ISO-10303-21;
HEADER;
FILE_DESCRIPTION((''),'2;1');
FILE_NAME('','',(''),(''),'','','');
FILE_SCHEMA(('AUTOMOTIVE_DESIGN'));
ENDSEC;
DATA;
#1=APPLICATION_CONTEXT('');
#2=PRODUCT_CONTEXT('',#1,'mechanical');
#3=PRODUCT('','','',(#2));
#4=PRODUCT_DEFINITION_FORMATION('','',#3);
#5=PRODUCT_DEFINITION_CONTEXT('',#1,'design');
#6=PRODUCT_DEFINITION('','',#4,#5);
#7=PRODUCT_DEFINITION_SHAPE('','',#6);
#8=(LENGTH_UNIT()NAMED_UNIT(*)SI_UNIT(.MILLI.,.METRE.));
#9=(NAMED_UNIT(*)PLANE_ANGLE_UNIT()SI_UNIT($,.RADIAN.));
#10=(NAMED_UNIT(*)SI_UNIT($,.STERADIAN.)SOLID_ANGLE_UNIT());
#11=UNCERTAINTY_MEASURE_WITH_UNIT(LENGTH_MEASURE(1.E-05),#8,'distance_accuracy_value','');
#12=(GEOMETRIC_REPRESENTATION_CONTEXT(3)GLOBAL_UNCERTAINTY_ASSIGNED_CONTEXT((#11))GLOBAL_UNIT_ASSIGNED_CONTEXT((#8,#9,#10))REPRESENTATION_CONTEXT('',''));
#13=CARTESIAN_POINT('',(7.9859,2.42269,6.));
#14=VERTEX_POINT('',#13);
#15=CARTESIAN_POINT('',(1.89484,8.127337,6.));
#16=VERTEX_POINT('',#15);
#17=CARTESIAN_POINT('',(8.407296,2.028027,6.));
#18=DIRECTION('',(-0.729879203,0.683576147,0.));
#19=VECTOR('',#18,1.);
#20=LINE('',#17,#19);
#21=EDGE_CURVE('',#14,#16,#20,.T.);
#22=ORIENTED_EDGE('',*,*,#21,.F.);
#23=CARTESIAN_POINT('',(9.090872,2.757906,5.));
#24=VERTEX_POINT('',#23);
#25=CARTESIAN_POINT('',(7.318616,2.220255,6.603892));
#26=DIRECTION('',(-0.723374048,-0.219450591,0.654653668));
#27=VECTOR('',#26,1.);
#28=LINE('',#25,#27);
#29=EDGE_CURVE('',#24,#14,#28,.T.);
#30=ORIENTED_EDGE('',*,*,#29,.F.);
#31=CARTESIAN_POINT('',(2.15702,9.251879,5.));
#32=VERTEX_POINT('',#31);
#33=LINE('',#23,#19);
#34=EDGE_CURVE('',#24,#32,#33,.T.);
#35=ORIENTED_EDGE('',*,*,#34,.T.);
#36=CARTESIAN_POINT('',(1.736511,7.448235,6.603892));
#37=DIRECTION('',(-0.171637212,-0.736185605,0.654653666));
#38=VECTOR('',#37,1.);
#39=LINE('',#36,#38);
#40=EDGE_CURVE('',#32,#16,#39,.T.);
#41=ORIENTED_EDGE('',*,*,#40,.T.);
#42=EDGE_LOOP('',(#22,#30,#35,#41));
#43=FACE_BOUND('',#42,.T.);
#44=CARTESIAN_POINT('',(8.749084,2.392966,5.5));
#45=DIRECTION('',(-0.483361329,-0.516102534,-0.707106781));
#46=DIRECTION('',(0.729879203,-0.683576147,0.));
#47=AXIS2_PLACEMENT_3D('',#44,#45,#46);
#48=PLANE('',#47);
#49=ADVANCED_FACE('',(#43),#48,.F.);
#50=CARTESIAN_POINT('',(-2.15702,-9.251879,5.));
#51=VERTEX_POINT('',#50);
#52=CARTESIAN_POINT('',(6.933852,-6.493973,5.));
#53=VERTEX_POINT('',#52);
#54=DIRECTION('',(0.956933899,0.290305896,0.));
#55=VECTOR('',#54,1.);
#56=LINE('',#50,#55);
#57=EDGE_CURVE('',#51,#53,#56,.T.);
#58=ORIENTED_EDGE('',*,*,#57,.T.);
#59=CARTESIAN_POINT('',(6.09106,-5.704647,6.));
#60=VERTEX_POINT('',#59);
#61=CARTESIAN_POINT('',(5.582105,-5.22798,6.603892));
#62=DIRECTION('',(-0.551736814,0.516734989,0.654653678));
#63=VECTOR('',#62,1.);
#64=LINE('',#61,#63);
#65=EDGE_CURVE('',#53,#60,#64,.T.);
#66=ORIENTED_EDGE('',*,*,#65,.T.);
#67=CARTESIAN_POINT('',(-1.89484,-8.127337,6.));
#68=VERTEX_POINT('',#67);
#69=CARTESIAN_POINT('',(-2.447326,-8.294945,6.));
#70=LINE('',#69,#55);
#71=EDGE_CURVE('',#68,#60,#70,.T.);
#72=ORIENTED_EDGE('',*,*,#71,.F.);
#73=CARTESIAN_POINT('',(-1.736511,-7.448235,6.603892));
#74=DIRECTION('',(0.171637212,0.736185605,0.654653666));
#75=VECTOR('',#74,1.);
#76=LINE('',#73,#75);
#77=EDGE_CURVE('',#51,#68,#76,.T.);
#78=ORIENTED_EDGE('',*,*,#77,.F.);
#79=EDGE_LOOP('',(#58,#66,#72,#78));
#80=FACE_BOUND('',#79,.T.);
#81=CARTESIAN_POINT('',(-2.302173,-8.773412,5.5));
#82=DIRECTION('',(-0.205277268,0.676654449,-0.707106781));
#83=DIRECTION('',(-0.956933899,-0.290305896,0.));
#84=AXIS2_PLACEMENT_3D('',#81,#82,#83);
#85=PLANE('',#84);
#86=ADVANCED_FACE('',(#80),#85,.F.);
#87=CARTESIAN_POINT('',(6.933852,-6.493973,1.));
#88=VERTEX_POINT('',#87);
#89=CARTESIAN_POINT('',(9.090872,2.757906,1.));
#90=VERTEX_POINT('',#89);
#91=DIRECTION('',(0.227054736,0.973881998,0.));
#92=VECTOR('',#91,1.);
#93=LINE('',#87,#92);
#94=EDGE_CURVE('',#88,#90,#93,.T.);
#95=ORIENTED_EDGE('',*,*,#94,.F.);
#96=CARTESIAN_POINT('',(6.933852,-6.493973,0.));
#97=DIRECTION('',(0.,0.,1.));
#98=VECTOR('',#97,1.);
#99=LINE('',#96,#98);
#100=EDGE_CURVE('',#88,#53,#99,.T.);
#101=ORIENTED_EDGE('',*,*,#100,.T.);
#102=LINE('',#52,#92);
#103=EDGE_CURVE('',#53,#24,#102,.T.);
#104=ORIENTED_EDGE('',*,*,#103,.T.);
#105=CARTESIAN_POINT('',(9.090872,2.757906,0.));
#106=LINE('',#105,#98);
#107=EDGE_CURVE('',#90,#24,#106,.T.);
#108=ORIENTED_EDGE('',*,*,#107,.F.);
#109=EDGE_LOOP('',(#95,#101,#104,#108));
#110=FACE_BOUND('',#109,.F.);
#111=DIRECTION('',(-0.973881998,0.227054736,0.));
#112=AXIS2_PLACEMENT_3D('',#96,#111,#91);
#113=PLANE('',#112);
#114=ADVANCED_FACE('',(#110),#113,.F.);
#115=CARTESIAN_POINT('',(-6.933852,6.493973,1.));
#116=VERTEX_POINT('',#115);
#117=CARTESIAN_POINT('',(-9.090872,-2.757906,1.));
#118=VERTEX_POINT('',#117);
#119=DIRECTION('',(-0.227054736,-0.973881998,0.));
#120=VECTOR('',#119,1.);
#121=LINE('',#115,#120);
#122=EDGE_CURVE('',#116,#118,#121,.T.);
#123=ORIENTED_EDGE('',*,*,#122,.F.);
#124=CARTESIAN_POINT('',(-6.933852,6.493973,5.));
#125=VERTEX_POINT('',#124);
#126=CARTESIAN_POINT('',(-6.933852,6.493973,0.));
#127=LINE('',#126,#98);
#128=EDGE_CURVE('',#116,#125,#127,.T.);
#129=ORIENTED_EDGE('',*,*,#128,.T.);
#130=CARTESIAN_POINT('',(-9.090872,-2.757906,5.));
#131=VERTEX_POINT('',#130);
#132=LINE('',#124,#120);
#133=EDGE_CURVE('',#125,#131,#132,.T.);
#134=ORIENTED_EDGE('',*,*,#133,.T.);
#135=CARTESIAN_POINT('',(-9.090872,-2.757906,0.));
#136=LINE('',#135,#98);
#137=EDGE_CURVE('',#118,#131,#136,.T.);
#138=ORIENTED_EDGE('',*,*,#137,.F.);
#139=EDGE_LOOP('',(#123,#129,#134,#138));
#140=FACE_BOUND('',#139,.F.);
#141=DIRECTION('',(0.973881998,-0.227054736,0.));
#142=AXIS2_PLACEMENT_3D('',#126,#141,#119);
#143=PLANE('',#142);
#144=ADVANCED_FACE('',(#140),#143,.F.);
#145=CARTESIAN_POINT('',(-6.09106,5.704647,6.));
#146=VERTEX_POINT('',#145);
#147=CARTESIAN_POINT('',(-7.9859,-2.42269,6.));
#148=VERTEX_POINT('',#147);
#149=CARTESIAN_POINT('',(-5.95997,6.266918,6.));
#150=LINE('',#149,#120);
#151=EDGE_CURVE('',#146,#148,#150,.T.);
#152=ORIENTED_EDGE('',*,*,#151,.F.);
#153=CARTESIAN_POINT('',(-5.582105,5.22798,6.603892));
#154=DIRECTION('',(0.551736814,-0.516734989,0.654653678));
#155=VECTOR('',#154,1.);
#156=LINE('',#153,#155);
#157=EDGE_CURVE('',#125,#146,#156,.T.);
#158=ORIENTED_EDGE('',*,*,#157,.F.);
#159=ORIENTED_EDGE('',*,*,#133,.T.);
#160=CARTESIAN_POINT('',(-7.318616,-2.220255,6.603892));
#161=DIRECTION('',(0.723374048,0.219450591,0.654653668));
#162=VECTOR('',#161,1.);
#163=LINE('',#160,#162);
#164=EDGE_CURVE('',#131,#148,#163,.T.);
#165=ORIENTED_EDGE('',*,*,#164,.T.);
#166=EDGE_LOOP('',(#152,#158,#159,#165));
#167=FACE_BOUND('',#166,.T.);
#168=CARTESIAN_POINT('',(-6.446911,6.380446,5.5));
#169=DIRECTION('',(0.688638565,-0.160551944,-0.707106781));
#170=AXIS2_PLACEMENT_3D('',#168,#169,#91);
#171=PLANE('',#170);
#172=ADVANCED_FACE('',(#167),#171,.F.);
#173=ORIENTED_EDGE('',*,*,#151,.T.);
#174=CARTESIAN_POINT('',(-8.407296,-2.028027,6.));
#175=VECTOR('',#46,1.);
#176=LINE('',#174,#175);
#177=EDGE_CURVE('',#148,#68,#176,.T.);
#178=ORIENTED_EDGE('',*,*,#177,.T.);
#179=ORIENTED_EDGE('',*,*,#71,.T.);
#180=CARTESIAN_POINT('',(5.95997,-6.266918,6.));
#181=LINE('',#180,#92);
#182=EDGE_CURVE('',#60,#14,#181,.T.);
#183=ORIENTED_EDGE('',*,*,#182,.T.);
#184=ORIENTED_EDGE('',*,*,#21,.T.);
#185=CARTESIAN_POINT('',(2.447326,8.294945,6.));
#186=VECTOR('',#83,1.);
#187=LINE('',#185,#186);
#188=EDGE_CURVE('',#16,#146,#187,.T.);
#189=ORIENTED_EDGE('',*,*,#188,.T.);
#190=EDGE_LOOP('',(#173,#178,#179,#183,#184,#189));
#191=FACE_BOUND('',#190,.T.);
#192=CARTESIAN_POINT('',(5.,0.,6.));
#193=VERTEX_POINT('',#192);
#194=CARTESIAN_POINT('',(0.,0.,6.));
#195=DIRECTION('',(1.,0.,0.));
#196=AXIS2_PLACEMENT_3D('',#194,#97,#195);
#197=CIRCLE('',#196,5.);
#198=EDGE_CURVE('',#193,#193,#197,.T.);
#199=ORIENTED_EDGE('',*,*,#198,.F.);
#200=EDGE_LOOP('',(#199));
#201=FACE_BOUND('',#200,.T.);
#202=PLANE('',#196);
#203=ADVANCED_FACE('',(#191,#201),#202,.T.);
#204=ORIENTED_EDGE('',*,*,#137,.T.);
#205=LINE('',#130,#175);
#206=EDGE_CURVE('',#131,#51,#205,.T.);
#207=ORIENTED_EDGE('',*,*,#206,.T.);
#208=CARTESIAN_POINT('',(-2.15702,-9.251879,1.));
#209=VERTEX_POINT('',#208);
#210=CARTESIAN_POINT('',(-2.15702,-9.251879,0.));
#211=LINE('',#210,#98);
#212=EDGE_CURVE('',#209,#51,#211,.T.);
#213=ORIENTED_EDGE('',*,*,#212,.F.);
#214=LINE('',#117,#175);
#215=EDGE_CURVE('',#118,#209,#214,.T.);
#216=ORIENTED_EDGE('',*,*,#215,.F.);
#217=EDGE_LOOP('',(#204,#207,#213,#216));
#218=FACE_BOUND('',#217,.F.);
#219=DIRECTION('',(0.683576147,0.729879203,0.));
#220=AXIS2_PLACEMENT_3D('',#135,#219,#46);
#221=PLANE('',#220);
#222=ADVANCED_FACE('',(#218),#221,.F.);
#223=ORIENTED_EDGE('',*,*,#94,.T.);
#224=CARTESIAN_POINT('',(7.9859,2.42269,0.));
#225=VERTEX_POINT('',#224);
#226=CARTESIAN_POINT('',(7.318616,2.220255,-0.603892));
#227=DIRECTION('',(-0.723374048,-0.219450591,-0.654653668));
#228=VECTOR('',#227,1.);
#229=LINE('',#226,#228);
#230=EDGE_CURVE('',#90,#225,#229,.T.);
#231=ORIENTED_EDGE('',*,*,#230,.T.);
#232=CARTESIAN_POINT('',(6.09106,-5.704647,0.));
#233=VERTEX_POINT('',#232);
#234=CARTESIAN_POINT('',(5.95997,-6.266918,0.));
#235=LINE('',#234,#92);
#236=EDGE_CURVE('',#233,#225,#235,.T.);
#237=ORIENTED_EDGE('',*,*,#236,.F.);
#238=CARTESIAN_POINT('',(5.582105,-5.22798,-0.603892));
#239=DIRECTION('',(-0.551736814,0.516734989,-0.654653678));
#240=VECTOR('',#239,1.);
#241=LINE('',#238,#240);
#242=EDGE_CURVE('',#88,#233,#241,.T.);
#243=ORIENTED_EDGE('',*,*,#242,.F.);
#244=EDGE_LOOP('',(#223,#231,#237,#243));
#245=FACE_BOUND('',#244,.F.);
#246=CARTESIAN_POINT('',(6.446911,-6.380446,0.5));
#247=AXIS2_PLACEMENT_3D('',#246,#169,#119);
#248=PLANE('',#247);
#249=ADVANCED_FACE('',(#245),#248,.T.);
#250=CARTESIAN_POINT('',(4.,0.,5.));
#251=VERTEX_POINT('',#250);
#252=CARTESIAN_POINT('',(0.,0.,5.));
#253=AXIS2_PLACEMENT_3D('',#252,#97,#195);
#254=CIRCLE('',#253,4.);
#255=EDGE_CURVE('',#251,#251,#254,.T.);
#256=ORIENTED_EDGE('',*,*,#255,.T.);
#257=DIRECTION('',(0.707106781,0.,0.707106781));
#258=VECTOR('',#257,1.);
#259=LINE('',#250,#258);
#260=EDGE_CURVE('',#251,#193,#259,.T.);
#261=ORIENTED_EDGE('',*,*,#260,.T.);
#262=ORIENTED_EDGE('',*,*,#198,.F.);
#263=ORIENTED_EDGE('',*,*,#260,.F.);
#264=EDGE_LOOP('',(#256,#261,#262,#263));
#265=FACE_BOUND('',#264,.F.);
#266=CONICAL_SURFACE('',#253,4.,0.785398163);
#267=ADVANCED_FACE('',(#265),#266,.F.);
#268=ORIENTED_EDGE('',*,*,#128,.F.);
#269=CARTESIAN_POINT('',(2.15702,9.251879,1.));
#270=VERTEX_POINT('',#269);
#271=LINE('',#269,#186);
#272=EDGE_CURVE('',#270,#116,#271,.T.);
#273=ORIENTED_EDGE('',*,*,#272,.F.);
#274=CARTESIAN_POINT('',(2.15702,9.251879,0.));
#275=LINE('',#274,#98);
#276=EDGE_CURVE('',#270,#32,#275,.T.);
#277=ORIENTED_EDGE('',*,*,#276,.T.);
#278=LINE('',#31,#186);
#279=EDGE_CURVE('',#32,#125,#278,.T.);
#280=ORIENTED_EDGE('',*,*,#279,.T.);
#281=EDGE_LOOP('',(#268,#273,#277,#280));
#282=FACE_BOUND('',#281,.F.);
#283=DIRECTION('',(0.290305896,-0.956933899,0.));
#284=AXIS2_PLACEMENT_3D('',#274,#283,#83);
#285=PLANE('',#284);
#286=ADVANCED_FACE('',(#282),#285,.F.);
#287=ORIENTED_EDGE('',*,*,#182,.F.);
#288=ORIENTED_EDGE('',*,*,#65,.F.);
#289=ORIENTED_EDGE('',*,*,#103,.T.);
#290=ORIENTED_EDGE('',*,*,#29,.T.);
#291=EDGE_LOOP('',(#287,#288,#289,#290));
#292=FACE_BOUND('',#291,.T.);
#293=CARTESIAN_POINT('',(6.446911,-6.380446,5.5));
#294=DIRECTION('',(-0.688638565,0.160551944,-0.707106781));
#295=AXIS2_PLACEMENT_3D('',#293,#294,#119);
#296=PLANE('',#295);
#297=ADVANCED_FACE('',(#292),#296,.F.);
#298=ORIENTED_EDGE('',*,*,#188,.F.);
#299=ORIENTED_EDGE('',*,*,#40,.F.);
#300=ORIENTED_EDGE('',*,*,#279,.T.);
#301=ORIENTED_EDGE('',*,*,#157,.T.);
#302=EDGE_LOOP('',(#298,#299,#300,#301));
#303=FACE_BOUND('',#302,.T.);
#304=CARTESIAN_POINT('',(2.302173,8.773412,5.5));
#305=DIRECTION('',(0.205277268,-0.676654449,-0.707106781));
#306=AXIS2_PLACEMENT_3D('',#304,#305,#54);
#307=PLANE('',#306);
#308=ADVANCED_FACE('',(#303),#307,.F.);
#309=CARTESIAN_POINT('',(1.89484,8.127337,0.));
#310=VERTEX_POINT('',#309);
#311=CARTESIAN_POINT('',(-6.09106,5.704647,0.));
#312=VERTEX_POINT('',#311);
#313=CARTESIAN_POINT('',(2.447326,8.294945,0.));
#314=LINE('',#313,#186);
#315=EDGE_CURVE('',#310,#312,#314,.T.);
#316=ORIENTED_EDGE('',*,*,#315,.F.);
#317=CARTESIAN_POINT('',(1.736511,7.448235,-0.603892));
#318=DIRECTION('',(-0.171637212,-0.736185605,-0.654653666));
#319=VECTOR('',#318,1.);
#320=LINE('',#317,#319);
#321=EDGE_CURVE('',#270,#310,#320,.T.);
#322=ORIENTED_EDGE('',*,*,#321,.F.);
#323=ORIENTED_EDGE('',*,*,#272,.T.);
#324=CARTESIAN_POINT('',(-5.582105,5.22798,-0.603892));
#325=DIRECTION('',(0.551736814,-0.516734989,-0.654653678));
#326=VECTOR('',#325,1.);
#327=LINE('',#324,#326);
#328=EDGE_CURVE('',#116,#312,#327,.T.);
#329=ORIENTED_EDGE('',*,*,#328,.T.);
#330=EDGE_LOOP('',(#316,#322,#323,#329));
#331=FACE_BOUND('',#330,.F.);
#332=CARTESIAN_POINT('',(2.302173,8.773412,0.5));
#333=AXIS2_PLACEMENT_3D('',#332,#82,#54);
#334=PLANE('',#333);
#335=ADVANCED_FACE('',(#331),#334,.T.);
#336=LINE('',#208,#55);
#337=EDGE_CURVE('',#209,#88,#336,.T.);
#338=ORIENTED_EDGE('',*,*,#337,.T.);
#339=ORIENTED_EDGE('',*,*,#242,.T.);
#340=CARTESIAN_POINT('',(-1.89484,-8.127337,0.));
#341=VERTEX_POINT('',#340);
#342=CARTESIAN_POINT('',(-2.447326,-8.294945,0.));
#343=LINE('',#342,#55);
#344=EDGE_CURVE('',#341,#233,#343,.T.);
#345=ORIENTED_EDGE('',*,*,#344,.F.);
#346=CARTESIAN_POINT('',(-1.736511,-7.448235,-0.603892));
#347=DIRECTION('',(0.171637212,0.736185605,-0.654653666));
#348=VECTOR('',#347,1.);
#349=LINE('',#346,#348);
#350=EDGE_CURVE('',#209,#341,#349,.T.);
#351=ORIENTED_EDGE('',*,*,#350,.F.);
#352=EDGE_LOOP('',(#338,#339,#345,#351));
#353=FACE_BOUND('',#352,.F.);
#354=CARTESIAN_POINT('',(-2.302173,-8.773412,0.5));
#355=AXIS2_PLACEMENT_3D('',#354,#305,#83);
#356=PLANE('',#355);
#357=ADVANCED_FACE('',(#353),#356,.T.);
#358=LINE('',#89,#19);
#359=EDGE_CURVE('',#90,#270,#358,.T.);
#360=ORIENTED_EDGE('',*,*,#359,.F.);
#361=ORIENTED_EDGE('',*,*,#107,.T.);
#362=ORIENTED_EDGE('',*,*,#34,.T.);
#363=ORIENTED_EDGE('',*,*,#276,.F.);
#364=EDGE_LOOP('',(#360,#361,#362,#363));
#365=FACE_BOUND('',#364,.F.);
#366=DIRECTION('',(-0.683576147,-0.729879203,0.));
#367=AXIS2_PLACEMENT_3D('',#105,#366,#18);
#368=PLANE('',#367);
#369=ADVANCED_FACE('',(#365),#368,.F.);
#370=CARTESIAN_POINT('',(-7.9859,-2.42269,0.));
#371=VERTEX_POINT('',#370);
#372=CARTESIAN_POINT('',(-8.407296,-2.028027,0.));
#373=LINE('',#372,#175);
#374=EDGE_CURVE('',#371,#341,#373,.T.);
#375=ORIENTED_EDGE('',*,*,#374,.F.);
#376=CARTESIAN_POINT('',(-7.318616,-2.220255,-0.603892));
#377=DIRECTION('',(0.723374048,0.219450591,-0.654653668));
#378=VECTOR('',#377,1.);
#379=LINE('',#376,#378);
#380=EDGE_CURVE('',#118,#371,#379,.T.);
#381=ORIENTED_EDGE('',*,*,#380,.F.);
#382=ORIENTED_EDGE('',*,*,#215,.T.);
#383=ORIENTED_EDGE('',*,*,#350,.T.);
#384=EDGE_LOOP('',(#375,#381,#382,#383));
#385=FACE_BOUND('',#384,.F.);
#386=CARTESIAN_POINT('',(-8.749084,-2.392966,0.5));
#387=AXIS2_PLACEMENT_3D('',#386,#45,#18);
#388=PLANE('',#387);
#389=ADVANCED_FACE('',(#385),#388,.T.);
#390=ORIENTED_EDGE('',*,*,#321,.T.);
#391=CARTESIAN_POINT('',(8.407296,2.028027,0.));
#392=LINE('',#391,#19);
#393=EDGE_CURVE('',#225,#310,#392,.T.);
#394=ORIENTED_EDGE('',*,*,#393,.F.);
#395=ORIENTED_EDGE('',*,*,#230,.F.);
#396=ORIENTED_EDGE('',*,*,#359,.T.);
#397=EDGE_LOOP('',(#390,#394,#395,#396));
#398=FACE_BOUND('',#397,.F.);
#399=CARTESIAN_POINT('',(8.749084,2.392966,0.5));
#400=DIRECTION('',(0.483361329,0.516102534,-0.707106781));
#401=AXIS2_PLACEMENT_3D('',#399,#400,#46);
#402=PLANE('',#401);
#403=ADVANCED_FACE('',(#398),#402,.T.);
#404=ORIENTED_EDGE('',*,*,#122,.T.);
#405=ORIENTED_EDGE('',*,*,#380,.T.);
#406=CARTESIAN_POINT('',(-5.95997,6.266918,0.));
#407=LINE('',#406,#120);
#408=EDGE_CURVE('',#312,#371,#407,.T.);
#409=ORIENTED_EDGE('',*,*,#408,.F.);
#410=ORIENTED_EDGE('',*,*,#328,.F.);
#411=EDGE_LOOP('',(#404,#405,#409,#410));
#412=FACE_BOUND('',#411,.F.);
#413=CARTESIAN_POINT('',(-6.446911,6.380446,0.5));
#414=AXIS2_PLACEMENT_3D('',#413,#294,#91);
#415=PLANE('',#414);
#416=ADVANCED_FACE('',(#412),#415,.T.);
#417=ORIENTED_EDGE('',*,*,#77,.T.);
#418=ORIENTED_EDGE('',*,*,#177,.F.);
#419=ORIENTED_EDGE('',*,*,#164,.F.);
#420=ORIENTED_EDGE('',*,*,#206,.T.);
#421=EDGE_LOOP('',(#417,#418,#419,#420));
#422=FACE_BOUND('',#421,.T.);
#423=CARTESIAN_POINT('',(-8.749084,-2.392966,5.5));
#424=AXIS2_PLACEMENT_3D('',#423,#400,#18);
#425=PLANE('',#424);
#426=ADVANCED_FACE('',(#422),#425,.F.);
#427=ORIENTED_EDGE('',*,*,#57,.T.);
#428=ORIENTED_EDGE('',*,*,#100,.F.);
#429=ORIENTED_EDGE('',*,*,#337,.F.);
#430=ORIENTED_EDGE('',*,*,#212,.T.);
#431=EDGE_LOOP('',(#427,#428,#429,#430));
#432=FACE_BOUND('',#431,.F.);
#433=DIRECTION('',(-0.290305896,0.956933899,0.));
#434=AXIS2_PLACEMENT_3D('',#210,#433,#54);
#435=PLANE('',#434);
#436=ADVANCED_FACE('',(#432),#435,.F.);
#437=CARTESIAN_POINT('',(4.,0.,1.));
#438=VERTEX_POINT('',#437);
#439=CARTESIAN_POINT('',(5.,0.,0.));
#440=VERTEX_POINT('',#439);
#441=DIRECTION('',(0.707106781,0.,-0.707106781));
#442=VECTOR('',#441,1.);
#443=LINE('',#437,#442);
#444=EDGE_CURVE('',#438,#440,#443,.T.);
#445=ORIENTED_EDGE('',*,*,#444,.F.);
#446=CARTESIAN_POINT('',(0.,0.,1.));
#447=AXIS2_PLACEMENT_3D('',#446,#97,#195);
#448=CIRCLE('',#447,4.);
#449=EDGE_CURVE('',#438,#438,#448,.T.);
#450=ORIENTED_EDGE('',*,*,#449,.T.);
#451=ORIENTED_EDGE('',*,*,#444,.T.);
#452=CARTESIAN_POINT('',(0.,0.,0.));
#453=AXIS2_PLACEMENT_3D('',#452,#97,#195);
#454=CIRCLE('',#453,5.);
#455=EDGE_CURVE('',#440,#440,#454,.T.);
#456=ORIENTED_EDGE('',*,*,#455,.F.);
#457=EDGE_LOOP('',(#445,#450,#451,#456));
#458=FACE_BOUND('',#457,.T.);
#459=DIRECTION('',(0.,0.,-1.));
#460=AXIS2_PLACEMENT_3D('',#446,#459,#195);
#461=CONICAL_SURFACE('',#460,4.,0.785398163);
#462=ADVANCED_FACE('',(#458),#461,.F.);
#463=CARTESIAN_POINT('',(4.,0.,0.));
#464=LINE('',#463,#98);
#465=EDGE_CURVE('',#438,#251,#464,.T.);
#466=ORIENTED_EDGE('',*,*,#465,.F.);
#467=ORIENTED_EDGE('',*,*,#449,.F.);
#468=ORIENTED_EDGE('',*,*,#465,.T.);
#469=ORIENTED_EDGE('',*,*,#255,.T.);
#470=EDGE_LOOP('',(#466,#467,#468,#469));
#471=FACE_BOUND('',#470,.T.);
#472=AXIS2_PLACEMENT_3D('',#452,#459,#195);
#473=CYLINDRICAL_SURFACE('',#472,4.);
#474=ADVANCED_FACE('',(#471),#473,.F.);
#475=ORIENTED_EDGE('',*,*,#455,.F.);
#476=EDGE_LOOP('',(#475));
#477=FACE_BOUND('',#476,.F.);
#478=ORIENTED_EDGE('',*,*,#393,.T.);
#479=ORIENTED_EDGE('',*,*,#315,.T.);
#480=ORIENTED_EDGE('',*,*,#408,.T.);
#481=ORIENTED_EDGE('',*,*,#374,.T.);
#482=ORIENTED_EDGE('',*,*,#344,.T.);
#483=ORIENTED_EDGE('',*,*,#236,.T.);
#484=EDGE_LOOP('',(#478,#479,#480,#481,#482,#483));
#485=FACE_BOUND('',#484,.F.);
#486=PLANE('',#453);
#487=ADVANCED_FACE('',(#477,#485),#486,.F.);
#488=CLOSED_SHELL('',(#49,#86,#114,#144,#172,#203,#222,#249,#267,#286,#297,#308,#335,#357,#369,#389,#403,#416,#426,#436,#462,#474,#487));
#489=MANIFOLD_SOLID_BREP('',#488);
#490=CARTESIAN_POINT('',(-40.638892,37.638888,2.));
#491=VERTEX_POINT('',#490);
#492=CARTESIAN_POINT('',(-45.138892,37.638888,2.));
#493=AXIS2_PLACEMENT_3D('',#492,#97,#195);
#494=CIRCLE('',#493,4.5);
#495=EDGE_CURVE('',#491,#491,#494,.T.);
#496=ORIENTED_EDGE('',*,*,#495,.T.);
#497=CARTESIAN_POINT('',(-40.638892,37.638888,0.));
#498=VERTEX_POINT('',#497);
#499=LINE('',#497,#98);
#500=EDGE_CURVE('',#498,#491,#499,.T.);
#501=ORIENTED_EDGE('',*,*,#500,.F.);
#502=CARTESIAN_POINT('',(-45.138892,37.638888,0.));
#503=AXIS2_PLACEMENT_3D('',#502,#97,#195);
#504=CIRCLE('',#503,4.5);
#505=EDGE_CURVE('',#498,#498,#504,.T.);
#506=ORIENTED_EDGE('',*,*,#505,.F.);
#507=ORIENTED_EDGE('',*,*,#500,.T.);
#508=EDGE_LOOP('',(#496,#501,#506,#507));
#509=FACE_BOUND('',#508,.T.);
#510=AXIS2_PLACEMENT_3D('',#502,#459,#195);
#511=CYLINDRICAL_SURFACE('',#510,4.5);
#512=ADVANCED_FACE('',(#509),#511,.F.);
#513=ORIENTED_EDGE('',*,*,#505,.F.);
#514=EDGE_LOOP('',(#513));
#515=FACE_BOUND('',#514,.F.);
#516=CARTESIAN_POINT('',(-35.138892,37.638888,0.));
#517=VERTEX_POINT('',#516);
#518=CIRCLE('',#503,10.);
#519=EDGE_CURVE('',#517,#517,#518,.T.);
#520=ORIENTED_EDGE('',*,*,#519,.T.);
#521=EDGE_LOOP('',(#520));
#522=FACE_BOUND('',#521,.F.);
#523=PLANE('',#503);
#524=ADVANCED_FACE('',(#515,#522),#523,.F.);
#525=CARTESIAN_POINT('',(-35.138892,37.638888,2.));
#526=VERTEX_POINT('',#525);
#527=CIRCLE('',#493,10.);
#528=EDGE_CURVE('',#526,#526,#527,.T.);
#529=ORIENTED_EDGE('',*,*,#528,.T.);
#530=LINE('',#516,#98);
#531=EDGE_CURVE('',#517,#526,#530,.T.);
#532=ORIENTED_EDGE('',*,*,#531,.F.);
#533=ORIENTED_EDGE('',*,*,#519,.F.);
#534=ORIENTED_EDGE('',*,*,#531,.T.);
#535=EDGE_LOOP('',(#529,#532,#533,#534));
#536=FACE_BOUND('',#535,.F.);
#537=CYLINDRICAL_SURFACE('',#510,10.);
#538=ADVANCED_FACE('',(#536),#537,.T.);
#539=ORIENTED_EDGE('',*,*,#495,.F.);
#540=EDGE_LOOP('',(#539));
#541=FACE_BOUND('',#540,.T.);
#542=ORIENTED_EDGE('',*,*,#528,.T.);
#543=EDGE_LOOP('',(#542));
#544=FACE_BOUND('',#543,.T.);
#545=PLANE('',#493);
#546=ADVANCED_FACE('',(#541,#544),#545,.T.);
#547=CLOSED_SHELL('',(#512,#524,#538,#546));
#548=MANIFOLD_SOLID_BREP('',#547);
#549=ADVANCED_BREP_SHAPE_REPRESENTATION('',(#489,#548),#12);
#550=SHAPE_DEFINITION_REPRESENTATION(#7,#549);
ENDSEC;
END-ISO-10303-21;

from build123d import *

# Parameters (mm, degrees)
F0_R     = 4
F1_DEPTH = 6
F2_SIZE  = 1
F3_R     = 10
F3_R_2   = 4.5
F4_DEPTH = 2


with BuildPart() as f1:
    # F0 (on Top) → F1 (new body)
    with BuildSketch(Plane.XY):
        Polygon((6.933852, -6.493973), (9.090872, 2.757906), (2.15702, 9.251879), (-6.933852, 6.493973), (-9.090872, -2.757906), (-2.15702, -9.251879), align=None)
        Circle(F0_R, mode=Mode.SUBTRACT)
    extrude(amount=F1_DEPTH)

    # F2
    f2_edges = [f1.edges().sort_by_distance(p)[0] for p in [
        (-8.012362, 1.868034, 6),
        (-5.623946, -6.004892, 6),
        (2.388416, -7.872926, 6),
        (8.012362, -1.868034, 6),
        (5.623946, 6.004892, 6),
        (-2.388416, 7.872926, 6),
        (2.388416, -7.872926, 0),
        (8.012362, -1.868034, 0),
        (5.623946, 6.004892, 0),
        (-2.388416, 7.872926, 0),
        (-8.012362, 1.868034, 0),
        (-5.623946, -6.004892, 0),
        (-4, 0, 0),
        (4, 0, 3),
        (-4, 0, 6),
    ]]
    chamfer(f2_edges, length=F2_SIZE)


with BuildPart() as f4:
    # F3 (on Top) → F4 (new body)
    with BuildSketch(Plane.XY):
        with Locations((-45.138892, 37.638888)):
            Circle(F3_R)
        with Locations((-45.138892, 37.638888)):
            Circle(F3_R_2, mode=Mode.SUBTRACT)
    extrude(amount=F4_DEPTH)


solid = Compound([f1.part, f4.part])
